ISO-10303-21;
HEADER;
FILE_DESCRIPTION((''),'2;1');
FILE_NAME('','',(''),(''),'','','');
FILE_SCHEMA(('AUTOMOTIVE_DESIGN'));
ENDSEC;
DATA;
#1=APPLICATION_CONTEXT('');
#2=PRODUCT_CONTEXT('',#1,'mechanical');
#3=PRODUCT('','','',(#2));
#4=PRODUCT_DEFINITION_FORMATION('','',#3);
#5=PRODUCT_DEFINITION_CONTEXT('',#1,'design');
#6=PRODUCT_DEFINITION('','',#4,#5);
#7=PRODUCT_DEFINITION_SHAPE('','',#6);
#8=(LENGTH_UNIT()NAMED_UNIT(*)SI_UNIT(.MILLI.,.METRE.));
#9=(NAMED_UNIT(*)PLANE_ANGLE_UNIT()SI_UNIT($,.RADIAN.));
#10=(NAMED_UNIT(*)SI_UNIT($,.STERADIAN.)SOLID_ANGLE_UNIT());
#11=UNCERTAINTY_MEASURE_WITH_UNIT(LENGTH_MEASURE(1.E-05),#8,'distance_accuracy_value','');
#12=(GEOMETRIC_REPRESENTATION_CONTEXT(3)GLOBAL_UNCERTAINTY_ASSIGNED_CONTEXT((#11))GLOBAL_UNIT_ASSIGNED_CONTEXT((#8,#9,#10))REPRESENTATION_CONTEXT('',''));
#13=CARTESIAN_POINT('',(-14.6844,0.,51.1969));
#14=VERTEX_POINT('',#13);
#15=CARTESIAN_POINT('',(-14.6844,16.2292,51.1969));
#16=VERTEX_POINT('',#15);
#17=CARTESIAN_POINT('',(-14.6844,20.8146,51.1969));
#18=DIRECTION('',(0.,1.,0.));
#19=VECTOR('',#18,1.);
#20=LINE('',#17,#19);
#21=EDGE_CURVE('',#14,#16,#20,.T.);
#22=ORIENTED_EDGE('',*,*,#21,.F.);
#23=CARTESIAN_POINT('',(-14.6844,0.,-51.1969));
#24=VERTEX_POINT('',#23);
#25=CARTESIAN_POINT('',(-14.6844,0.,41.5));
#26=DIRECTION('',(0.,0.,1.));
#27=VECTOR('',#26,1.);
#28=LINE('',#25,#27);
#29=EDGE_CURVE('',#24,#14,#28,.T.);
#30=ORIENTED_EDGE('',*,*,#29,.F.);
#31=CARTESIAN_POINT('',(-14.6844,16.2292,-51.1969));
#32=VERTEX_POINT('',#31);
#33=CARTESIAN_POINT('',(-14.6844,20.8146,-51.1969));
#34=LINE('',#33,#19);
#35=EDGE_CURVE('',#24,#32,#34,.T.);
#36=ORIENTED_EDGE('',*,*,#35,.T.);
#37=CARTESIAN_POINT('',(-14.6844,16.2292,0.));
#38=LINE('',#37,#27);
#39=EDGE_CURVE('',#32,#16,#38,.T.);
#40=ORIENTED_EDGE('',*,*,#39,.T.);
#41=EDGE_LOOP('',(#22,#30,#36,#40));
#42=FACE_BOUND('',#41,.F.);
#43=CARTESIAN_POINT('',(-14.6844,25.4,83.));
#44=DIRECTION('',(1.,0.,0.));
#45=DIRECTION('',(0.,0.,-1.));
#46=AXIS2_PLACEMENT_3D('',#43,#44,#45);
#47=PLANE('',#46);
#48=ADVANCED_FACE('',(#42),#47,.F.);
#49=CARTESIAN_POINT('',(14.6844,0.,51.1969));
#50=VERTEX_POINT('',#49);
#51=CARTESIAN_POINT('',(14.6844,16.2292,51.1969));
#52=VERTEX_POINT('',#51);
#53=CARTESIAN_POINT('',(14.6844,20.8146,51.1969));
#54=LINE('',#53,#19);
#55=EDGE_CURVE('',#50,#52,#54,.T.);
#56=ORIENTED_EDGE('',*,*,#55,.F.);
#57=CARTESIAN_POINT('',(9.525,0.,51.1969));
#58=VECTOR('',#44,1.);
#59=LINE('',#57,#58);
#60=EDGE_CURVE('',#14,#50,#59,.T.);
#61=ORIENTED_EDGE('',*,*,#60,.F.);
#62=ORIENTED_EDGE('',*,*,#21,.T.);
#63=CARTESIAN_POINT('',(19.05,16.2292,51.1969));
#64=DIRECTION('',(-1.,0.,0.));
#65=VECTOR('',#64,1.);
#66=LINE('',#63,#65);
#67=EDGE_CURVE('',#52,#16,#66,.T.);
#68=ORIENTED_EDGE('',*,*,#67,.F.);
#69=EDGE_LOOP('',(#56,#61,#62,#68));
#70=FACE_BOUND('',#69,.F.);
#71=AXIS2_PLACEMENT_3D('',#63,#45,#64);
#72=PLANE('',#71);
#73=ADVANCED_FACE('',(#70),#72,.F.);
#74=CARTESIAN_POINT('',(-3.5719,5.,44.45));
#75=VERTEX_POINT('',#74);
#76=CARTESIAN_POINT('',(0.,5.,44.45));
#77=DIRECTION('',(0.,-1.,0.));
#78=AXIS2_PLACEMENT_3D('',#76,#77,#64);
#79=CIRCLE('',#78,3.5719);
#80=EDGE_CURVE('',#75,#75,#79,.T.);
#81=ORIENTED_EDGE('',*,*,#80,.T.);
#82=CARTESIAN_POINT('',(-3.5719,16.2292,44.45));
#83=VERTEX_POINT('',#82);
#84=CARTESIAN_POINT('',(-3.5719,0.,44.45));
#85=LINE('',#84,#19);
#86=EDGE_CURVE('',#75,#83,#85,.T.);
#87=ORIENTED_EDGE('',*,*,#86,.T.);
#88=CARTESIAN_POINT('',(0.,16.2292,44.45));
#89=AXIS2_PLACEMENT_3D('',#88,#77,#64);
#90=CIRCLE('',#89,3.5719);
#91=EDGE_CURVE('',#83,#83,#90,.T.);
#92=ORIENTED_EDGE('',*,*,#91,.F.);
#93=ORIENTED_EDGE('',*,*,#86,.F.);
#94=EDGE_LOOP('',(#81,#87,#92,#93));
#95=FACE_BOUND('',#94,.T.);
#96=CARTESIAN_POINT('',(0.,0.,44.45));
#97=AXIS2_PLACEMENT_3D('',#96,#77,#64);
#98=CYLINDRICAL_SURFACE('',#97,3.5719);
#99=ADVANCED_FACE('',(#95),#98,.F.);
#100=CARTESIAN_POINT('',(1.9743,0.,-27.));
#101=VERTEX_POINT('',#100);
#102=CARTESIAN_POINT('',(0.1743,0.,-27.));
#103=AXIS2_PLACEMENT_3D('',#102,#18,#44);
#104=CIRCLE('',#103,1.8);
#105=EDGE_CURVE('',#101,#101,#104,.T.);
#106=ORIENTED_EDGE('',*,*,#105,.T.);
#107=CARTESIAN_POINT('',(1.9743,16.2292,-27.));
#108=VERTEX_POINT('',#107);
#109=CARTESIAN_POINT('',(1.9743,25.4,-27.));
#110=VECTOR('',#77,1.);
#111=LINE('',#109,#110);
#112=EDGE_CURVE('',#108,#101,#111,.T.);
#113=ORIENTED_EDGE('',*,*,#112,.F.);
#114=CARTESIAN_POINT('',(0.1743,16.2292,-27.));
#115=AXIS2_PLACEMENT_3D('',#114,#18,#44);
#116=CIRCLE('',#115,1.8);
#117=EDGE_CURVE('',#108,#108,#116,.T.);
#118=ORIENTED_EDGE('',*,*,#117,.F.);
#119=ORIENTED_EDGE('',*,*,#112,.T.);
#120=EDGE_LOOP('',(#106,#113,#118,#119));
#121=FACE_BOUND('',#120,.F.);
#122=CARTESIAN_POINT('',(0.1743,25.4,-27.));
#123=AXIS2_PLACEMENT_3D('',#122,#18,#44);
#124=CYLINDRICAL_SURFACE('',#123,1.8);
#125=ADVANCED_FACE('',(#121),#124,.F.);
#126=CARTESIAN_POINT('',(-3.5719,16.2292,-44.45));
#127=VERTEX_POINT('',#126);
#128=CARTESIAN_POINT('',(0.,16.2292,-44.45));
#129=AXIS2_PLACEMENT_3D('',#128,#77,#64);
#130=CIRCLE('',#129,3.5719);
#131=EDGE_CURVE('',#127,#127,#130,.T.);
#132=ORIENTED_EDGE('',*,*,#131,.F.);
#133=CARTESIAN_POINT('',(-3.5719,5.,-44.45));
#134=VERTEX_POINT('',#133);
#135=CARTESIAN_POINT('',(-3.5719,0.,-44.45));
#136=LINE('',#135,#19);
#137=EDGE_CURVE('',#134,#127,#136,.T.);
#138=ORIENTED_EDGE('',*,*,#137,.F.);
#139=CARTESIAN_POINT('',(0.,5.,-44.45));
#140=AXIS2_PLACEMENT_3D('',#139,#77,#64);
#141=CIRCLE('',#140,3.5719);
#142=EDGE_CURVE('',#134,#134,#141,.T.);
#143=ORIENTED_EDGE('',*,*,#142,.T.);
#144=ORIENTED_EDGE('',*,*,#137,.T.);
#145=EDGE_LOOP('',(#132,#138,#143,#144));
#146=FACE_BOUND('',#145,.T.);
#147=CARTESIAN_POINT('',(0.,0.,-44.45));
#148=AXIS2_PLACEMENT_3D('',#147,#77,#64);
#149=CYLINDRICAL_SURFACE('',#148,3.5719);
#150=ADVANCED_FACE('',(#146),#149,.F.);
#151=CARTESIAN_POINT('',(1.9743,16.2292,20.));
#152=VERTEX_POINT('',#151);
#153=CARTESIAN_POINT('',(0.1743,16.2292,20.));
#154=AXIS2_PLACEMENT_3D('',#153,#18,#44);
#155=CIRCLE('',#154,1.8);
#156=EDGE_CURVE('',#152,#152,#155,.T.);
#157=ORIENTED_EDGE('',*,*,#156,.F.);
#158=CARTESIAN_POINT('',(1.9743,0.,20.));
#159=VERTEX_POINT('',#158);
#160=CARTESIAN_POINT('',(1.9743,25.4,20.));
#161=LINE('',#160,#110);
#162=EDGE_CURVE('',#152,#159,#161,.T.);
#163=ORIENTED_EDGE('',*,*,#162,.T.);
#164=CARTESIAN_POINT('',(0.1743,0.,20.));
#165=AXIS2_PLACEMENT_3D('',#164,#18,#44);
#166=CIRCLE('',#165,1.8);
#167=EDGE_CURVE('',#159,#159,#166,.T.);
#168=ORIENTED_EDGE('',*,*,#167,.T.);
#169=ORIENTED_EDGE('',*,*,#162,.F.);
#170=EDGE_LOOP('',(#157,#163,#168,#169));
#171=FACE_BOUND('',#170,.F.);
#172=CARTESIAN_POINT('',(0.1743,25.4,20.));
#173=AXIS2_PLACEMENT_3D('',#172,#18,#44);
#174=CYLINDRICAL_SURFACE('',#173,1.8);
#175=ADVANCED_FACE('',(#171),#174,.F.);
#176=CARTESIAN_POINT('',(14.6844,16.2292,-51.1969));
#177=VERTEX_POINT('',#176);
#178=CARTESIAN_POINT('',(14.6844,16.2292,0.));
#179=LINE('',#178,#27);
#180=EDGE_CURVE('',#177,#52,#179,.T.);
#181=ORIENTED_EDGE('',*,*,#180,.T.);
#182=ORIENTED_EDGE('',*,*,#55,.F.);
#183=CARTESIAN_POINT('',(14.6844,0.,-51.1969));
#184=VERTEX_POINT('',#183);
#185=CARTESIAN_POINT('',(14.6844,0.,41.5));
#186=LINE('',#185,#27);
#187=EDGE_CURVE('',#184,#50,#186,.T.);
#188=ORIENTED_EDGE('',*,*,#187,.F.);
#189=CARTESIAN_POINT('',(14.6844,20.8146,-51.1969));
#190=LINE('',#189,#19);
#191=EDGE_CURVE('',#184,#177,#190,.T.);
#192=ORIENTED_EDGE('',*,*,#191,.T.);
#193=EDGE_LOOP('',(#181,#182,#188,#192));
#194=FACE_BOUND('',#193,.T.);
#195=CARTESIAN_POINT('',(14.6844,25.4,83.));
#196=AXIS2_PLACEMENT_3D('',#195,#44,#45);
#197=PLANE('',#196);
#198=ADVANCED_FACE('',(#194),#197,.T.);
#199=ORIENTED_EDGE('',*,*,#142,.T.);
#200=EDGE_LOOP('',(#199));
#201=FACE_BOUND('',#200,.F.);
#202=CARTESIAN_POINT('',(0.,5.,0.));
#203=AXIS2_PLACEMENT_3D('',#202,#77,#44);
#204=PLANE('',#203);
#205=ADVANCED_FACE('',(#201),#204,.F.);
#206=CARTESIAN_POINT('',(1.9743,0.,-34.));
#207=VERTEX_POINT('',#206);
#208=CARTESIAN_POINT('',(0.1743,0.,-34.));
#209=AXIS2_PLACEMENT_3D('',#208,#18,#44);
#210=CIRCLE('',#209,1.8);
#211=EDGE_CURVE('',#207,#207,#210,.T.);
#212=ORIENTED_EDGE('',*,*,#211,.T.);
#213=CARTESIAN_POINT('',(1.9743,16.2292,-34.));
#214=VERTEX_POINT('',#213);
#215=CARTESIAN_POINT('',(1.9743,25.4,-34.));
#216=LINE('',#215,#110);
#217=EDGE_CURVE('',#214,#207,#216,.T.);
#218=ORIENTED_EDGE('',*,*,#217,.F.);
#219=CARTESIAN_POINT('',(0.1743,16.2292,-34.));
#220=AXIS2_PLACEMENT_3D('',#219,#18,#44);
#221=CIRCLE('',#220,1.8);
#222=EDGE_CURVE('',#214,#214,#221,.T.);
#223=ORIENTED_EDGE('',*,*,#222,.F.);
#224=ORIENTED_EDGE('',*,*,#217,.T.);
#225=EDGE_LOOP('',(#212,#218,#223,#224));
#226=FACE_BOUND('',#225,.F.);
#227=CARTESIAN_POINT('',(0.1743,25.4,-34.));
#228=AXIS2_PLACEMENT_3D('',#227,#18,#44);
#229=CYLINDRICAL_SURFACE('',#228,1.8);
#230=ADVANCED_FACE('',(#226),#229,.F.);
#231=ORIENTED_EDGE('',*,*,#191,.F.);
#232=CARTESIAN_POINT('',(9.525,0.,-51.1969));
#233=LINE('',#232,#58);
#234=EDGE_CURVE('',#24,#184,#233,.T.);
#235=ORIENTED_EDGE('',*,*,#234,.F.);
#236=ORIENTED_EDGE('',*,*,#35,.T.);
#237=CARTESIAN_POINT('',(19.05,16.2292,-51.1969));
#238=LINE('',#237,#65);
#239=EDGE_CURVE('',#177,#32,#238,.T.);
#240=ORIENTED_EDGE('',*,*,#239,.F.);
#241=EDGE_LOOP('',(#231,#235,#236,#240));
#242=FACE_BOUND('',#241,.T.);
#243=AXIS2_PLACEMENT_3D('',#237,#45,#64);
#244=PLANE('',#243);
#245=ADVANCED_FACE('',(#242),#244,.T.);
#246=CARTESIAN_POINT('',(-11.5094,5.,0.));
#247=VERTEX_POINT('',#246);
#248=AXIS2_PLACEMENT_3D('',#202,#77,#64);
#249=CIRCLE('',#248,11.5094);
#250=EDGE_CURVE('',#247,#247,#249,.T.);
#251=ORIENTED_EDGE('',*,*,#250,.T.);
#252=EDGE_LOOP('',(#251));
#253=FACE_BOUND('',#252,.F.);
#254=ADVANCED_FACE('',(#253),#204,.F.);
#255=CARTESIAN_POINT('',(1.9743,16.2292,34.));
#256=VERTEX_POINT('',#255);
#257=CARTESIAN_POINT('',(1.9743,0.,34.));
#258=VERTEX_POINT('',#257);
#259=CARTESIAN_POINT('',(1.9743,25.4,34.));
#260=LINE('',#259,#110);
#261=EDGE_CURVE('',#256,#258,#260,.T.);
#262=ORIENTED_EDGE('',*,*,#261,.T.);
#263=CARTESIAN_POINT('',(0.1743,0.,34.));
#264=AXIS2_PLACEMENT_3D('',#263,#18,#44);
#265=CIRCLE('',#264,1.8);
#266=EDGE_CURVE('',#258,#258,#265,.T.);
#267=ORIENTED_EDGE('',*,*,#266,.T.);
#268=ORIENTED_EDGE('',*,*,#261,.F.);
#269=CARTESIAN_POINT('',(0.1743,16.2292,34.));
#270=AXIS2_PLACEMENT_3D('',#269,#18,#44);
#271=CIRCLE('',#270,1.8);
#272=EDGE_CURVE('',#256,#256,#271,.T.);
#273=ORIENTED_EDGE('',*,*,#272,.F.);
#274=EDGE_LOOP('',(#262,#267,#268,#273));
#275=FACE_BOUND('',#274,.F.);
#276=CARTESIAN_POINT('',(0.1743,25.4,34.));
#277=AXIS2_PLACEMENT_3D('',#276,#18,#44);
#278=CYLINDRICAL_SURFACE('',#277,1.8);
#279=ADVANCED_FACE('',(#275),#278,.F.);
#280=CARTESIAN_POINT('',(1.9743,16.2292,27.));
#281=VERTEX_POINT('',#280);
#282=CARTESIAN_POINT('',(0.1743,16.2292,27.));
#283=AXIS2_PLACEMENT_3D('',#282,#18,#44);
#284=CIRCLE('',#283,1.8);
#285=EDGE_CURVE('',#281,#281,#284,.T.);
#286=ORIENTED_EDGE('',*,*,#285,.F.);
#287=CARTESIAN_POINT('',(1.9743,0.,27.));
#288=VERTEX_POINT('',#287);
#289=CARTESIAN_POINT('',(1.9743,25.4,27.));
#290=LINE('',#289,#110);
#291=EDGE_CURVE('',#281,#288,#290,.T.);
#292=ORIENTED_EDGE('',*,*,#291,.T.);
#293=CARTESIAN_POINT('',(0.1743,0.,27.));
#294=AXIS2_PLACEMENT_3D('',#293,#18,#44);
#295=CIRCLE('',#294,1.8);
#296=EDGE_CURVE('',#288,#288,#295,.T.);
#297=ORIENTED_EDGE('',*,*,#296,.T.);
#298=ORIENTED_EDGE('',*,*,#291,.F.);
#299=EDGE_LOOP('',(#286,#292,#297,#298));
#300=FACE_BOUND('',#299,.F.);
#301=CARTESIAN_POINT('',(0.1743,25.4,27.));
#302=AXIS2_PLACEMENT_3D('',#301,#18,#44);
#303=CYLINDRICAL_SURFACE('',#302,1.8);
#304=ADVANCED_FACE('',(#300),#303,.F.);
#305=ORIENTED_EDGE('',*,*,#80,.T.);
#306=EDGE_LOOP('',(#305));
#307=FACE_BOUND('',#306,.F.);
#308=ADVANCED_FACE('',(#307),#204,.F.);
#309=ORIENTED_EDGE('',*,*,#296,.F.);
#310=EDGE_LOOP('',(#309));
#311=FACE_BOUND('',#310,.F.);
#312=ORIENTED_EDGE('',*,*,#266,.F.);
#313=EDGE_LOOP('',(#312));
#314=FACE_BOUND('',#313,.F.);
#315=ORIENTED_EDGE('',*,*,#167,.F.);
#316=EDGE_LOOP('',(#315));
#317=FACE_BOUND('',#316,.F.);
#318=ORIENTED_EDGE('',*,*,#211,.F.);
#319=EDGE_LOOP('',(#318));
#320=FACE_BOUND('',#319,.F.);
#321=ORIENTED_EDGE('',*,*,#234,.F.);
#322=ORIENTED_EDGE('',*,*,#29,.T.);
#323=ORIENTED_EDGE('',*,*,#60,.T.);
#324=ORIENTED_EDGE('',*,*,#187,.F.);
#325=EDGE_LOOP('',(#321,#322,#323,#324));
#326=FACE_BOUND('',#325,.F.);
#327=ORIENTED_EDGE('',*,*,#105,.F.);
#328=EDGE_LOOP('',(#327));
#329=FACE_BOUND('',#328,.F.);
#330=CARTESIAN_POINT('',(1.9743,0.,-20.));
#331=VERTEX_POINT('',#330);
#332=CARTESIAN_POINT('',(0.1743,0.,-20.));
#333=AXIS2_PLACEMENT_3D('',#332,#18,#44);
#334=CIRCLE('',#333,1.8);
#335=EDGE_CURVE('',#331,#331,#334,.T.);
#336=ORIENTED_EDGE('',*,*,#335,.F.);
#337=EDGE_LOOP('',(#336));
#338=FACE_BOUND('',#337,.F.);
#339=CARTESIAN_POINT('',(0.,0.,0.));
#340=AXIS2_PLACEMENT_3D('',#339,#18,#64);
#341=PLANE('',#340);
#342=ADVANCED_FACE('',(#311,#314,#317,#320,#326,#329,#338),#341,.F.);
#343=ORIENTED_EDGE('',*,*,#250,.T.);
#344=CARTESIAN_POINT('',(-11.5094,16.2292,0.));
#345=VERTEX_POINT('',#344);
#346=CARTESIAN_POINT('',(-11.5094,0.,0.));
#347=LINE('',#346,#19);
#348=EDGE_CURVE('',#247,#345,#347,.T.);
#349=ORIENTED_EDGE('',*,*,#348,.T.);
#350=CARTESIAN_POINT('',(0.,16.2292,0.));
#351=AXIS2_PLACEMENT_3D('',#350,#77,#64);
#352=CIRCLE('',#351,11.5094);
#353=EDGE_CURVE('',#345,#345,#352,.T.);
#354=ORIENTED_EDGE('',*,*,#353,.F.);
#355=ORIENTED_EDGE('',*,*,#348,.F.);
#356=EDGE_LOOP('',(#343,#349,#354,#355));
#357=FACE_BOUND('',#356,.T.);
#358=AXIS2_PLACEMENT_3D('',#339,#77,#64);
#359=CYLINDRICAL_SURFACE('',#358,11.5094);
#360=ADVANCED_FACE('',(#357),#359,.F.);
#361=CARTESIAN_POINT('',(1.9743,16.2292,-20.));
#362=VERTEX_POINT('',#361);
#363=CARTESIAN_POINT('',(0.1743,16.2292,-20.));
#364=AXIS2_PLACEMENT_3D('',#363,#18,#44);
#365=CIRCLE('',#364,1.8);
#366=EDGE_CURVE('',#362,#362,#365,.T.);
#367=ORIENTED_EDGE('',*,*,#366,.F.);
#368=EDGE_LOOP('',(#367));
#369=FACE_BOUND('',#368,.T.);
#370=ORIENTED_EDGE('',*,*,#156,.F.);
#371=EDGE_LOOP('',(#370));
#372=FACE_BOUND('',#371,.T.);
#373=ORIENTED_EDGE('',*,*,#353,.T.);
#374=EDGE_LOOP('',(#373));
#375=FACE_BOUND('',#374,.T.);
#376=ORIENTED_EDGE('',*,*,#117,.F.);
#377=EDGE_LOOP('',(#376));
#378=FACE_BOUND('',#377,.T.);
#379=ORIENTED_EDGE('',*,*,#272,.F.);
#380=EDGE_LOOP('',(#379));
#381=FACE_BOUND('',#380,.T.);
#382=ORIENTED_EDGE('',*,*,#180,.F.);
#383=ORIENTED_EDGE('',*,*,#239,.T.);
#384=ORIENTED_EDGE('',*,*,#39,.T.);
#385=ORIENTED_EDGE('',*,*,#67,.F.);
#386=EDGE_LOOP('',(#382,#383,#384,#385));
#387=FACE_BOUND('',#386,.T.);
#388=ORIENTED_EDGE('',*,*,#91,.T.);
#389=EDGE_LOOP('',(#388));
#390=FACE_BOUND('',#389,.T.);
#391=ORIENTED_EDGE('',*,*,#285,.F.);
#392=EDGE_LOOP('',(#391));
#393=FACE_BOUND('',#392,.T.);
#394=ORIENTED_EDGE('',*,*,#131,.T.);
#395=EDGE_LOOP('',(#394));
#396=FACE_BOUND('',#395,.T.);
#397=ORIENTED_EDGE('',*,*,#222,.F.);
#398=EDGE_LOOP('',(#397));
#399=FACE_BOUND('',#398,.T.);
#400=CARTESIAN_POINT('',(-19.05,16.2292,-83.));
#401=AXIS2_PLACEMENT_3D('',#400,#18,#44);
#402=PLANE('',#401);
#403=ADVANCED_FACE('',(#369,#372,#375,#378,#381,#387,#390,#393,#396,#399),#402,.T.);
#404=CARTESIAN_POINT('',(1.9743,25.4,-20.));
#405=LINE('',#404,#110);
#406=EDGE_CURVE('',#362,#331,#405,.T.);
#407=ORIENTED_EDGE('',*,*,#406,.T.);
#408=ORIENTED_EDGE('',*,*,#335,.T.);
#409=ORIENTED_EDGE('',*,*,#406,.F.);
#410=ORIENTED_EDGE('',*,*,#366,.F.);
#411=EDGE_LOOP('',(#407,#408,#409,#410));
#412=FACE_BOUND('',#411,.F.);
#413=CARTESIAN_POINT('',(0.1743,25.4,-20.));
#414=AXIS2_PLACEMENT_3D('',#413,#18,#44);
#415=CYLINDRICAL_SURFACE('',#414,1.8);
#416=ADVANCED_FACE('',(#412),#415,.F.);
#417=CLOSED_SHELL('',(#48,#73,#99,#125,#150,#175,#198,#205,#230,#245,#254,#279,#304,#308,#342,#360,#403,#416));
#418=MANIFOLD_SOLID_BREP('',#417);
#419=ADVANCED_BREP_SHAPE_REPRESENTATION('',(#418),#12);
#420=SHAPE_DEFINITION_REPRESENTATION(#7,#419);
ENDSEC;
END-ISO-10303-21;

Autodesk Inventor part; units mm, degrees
ref_plane "YZ Plane" through (0, 0, 0) normal (1, 0, 0) x (0, 1, 0)
ref_plane "XZ Plane" through (0, 0, 0) normal (0, 1, 0) x (-1, 0, 0)
ref_plane "XY Plane" through (0, 0, 0) normal (0, 0, 1) x (1, 0, 0)
sketch "Sketch1" plane through (0, 0, 0) normal (0, 1, 0) x (-1, 0, 0)
  line L0 (19.05, -83) -> (19.05, 83)
  line L1 (-19.05, 83) -> (-19.05, -83)
  circle A0 centre (0, 0) radius 11.5094
  line L2 (0, 0) -> (-0.4877, 3.251) construction
  line L3 (0, 0) -> (0, 44.45) construction
  line L4 (0, 0) -> (0, -44.45) construction
  circle A1 centre (0, 44.45) radius 3.5719
  circle A2 centre (0, -44.45) radius 3.5719
  line L5 (19.05, 83) -> (-19.05, 83)
  line L6 (19.05, -83) -> (-19.05, -83)
  dimension "d2" = 23.0188
  dimension "d4" = 44.45
  dimension "d5" = 44.45
  dimension "d6" = 7.1437
  dimension "d7" = 7.1437
extrude "Extrusion1" add sketch "Sketch1" along normal blind 25.4
sketch "Sketch6" plane through (0, 0, 0) normal (0, -1, 0) x (1, 0, 0)
  circle A0 centre (0, 44.45) radius 3.5719 projected
  circle A1 centre (0, 44.45) radius 3.5719
  circle A2 centre (0, -44.45) radius 3.5719 projected
  circle A3 centre (0, -44.45) radius 3.5719
  circle A4 centre (0, 0) radius 5.1594
  circle A5 centre (0, 0) radius 11.5094
  dimension "d102" = 35.7188
sketch "Sketch13" plane through (0, 25.4, 0) normal (0, 1, 0) x (1, 0, 0)
  line L0 (-19.05, -83) -> (19.05, -83) construction
  line L1 (0.1743, -83) -> (0.1743, 83) construction
  line L2 (19.05, 83) -> (-19.05, 83) construction
  circle A0 centre (0.1743, -34) radius 1.8
  circle A1 centre (0.1743, -27) radius 1.8
  circle A2 centre (0.1743, -20) radius 1.8
  circle A3 centre (0.1743, 20) radius 1.8
  circle A4 centre (0.1743, 27) radius 1.8
  circle A5 centre (0.1743, 34) radius 1.8
  circle A6 centre (0, 0) radius 11.5094 projected
  line L3 (-19.05, 83) -> (-19.05, -83) projected
  line L4 (-19.05, -83) -> (-14.6844, -83)
  line L5 (-14.6844, -83) -> (-14.6844, 83)
  line L6 (-14.6844, 83) -> (-19.05, 83)
  line L7 (-19.05, 83) -> (-19.05, -83)
  line L8 (19.05, -83) -> (14.6844, -83)
  line L9 (14.6844, -83) -> (14.6844, 83)
  line L10 (14.6844, 83) -> (19.05, 83)
  line L11 (19.05, 83) -> (19.05, -83)
  dimension "d82" = 3.6
  dimension "d83" = 3.6
  dimension "d84" = 3.6
  dimension "d85" = 3.6
  dimension "d86" = 3.6
  dimension "d87" = 3.6
  dimension "d88" = 7
  dimension "d89" = 7
  dimension "d90" = 7
  dimension "d92" = 7
  dimension "d93" = 20
  dimension "d94" = 20
  dimension "d97" = 3.175
  dimension "d99" = 3.175
sketch "Sketch14" plane through (19.05, 0, -83) normal (0, 0, -1) x (-1, 0, 0)
  line L0 (0, 0) -> (0, 25.4) projected
  line L1 (38.1, 0) -> (38.1, 25.4) projected
  line L2 (0, 25.4) -> (38.1, 25.4)
  line L3 (38.1, 25.4) -> (38.1, 16.2292)
  line L4 (38.1, 16.2292) -> (0, 16.2292)
  line L5 (0, 16.2292) -> (0, 25.4)
  point P0 (19.05, 0)
extrude "Extrusion15" cut sketch "Sketch14" against normal up to next
sketch "Sketch15" plane through (-19.05, 16.2292, -83) normal (0, 1, 0) x (1, 0, 0)
  line L0 (38.1, -166) -> (0, -166) projected
  line L1 (38.1, 0) -> (38.1, -166) projected
  line L2 (0, -166) -> (38.1, -166)
  line L3 (38.1, -166) -> (38.1, -134.1969)
  line L4 (38.1, -134.1969) -> (0, -134.1969)
  line L5 (0, -134.1969) -> (0, -166)
  circle A0 centre (19.05, -127.45) radius 3.5719 projected
  line L6 (0, -166) -> (0, 0) projected
  line L7 (0, 0) -> (38.1, 0)
  line L8 (38.1, 0) -> (38.1, -31.8031)
  line L9 (38.1, -31.8031) -> (0, -31.8031)
  line L10 (0, -31.8031) -> (0, 0)
  circle A1 centre (19.05, -38.55) radius 3.5719 projected
  point P0 (19.05, -83)
  dimension "d78" = 3.175
  dimension "d79" = 3.175
extrude "Extrusion16" cut sketch "Sketch15" against normal up to next contours L0 L5 L4 L1 | L9 L6 L7 L1
extrude "Extrusion18" cut sketch "Sketch13" against normal up to next contours A0 | A1 | A2 | A3 | A4 | A5 | L6 L5 L4 L3 | L8 L9 L10 L11
extrude "Extrusion19" add sketch "Sketch6" against normal blind 5 contours A0 | A2 | A4 | A5
properties part number "RodBase"
